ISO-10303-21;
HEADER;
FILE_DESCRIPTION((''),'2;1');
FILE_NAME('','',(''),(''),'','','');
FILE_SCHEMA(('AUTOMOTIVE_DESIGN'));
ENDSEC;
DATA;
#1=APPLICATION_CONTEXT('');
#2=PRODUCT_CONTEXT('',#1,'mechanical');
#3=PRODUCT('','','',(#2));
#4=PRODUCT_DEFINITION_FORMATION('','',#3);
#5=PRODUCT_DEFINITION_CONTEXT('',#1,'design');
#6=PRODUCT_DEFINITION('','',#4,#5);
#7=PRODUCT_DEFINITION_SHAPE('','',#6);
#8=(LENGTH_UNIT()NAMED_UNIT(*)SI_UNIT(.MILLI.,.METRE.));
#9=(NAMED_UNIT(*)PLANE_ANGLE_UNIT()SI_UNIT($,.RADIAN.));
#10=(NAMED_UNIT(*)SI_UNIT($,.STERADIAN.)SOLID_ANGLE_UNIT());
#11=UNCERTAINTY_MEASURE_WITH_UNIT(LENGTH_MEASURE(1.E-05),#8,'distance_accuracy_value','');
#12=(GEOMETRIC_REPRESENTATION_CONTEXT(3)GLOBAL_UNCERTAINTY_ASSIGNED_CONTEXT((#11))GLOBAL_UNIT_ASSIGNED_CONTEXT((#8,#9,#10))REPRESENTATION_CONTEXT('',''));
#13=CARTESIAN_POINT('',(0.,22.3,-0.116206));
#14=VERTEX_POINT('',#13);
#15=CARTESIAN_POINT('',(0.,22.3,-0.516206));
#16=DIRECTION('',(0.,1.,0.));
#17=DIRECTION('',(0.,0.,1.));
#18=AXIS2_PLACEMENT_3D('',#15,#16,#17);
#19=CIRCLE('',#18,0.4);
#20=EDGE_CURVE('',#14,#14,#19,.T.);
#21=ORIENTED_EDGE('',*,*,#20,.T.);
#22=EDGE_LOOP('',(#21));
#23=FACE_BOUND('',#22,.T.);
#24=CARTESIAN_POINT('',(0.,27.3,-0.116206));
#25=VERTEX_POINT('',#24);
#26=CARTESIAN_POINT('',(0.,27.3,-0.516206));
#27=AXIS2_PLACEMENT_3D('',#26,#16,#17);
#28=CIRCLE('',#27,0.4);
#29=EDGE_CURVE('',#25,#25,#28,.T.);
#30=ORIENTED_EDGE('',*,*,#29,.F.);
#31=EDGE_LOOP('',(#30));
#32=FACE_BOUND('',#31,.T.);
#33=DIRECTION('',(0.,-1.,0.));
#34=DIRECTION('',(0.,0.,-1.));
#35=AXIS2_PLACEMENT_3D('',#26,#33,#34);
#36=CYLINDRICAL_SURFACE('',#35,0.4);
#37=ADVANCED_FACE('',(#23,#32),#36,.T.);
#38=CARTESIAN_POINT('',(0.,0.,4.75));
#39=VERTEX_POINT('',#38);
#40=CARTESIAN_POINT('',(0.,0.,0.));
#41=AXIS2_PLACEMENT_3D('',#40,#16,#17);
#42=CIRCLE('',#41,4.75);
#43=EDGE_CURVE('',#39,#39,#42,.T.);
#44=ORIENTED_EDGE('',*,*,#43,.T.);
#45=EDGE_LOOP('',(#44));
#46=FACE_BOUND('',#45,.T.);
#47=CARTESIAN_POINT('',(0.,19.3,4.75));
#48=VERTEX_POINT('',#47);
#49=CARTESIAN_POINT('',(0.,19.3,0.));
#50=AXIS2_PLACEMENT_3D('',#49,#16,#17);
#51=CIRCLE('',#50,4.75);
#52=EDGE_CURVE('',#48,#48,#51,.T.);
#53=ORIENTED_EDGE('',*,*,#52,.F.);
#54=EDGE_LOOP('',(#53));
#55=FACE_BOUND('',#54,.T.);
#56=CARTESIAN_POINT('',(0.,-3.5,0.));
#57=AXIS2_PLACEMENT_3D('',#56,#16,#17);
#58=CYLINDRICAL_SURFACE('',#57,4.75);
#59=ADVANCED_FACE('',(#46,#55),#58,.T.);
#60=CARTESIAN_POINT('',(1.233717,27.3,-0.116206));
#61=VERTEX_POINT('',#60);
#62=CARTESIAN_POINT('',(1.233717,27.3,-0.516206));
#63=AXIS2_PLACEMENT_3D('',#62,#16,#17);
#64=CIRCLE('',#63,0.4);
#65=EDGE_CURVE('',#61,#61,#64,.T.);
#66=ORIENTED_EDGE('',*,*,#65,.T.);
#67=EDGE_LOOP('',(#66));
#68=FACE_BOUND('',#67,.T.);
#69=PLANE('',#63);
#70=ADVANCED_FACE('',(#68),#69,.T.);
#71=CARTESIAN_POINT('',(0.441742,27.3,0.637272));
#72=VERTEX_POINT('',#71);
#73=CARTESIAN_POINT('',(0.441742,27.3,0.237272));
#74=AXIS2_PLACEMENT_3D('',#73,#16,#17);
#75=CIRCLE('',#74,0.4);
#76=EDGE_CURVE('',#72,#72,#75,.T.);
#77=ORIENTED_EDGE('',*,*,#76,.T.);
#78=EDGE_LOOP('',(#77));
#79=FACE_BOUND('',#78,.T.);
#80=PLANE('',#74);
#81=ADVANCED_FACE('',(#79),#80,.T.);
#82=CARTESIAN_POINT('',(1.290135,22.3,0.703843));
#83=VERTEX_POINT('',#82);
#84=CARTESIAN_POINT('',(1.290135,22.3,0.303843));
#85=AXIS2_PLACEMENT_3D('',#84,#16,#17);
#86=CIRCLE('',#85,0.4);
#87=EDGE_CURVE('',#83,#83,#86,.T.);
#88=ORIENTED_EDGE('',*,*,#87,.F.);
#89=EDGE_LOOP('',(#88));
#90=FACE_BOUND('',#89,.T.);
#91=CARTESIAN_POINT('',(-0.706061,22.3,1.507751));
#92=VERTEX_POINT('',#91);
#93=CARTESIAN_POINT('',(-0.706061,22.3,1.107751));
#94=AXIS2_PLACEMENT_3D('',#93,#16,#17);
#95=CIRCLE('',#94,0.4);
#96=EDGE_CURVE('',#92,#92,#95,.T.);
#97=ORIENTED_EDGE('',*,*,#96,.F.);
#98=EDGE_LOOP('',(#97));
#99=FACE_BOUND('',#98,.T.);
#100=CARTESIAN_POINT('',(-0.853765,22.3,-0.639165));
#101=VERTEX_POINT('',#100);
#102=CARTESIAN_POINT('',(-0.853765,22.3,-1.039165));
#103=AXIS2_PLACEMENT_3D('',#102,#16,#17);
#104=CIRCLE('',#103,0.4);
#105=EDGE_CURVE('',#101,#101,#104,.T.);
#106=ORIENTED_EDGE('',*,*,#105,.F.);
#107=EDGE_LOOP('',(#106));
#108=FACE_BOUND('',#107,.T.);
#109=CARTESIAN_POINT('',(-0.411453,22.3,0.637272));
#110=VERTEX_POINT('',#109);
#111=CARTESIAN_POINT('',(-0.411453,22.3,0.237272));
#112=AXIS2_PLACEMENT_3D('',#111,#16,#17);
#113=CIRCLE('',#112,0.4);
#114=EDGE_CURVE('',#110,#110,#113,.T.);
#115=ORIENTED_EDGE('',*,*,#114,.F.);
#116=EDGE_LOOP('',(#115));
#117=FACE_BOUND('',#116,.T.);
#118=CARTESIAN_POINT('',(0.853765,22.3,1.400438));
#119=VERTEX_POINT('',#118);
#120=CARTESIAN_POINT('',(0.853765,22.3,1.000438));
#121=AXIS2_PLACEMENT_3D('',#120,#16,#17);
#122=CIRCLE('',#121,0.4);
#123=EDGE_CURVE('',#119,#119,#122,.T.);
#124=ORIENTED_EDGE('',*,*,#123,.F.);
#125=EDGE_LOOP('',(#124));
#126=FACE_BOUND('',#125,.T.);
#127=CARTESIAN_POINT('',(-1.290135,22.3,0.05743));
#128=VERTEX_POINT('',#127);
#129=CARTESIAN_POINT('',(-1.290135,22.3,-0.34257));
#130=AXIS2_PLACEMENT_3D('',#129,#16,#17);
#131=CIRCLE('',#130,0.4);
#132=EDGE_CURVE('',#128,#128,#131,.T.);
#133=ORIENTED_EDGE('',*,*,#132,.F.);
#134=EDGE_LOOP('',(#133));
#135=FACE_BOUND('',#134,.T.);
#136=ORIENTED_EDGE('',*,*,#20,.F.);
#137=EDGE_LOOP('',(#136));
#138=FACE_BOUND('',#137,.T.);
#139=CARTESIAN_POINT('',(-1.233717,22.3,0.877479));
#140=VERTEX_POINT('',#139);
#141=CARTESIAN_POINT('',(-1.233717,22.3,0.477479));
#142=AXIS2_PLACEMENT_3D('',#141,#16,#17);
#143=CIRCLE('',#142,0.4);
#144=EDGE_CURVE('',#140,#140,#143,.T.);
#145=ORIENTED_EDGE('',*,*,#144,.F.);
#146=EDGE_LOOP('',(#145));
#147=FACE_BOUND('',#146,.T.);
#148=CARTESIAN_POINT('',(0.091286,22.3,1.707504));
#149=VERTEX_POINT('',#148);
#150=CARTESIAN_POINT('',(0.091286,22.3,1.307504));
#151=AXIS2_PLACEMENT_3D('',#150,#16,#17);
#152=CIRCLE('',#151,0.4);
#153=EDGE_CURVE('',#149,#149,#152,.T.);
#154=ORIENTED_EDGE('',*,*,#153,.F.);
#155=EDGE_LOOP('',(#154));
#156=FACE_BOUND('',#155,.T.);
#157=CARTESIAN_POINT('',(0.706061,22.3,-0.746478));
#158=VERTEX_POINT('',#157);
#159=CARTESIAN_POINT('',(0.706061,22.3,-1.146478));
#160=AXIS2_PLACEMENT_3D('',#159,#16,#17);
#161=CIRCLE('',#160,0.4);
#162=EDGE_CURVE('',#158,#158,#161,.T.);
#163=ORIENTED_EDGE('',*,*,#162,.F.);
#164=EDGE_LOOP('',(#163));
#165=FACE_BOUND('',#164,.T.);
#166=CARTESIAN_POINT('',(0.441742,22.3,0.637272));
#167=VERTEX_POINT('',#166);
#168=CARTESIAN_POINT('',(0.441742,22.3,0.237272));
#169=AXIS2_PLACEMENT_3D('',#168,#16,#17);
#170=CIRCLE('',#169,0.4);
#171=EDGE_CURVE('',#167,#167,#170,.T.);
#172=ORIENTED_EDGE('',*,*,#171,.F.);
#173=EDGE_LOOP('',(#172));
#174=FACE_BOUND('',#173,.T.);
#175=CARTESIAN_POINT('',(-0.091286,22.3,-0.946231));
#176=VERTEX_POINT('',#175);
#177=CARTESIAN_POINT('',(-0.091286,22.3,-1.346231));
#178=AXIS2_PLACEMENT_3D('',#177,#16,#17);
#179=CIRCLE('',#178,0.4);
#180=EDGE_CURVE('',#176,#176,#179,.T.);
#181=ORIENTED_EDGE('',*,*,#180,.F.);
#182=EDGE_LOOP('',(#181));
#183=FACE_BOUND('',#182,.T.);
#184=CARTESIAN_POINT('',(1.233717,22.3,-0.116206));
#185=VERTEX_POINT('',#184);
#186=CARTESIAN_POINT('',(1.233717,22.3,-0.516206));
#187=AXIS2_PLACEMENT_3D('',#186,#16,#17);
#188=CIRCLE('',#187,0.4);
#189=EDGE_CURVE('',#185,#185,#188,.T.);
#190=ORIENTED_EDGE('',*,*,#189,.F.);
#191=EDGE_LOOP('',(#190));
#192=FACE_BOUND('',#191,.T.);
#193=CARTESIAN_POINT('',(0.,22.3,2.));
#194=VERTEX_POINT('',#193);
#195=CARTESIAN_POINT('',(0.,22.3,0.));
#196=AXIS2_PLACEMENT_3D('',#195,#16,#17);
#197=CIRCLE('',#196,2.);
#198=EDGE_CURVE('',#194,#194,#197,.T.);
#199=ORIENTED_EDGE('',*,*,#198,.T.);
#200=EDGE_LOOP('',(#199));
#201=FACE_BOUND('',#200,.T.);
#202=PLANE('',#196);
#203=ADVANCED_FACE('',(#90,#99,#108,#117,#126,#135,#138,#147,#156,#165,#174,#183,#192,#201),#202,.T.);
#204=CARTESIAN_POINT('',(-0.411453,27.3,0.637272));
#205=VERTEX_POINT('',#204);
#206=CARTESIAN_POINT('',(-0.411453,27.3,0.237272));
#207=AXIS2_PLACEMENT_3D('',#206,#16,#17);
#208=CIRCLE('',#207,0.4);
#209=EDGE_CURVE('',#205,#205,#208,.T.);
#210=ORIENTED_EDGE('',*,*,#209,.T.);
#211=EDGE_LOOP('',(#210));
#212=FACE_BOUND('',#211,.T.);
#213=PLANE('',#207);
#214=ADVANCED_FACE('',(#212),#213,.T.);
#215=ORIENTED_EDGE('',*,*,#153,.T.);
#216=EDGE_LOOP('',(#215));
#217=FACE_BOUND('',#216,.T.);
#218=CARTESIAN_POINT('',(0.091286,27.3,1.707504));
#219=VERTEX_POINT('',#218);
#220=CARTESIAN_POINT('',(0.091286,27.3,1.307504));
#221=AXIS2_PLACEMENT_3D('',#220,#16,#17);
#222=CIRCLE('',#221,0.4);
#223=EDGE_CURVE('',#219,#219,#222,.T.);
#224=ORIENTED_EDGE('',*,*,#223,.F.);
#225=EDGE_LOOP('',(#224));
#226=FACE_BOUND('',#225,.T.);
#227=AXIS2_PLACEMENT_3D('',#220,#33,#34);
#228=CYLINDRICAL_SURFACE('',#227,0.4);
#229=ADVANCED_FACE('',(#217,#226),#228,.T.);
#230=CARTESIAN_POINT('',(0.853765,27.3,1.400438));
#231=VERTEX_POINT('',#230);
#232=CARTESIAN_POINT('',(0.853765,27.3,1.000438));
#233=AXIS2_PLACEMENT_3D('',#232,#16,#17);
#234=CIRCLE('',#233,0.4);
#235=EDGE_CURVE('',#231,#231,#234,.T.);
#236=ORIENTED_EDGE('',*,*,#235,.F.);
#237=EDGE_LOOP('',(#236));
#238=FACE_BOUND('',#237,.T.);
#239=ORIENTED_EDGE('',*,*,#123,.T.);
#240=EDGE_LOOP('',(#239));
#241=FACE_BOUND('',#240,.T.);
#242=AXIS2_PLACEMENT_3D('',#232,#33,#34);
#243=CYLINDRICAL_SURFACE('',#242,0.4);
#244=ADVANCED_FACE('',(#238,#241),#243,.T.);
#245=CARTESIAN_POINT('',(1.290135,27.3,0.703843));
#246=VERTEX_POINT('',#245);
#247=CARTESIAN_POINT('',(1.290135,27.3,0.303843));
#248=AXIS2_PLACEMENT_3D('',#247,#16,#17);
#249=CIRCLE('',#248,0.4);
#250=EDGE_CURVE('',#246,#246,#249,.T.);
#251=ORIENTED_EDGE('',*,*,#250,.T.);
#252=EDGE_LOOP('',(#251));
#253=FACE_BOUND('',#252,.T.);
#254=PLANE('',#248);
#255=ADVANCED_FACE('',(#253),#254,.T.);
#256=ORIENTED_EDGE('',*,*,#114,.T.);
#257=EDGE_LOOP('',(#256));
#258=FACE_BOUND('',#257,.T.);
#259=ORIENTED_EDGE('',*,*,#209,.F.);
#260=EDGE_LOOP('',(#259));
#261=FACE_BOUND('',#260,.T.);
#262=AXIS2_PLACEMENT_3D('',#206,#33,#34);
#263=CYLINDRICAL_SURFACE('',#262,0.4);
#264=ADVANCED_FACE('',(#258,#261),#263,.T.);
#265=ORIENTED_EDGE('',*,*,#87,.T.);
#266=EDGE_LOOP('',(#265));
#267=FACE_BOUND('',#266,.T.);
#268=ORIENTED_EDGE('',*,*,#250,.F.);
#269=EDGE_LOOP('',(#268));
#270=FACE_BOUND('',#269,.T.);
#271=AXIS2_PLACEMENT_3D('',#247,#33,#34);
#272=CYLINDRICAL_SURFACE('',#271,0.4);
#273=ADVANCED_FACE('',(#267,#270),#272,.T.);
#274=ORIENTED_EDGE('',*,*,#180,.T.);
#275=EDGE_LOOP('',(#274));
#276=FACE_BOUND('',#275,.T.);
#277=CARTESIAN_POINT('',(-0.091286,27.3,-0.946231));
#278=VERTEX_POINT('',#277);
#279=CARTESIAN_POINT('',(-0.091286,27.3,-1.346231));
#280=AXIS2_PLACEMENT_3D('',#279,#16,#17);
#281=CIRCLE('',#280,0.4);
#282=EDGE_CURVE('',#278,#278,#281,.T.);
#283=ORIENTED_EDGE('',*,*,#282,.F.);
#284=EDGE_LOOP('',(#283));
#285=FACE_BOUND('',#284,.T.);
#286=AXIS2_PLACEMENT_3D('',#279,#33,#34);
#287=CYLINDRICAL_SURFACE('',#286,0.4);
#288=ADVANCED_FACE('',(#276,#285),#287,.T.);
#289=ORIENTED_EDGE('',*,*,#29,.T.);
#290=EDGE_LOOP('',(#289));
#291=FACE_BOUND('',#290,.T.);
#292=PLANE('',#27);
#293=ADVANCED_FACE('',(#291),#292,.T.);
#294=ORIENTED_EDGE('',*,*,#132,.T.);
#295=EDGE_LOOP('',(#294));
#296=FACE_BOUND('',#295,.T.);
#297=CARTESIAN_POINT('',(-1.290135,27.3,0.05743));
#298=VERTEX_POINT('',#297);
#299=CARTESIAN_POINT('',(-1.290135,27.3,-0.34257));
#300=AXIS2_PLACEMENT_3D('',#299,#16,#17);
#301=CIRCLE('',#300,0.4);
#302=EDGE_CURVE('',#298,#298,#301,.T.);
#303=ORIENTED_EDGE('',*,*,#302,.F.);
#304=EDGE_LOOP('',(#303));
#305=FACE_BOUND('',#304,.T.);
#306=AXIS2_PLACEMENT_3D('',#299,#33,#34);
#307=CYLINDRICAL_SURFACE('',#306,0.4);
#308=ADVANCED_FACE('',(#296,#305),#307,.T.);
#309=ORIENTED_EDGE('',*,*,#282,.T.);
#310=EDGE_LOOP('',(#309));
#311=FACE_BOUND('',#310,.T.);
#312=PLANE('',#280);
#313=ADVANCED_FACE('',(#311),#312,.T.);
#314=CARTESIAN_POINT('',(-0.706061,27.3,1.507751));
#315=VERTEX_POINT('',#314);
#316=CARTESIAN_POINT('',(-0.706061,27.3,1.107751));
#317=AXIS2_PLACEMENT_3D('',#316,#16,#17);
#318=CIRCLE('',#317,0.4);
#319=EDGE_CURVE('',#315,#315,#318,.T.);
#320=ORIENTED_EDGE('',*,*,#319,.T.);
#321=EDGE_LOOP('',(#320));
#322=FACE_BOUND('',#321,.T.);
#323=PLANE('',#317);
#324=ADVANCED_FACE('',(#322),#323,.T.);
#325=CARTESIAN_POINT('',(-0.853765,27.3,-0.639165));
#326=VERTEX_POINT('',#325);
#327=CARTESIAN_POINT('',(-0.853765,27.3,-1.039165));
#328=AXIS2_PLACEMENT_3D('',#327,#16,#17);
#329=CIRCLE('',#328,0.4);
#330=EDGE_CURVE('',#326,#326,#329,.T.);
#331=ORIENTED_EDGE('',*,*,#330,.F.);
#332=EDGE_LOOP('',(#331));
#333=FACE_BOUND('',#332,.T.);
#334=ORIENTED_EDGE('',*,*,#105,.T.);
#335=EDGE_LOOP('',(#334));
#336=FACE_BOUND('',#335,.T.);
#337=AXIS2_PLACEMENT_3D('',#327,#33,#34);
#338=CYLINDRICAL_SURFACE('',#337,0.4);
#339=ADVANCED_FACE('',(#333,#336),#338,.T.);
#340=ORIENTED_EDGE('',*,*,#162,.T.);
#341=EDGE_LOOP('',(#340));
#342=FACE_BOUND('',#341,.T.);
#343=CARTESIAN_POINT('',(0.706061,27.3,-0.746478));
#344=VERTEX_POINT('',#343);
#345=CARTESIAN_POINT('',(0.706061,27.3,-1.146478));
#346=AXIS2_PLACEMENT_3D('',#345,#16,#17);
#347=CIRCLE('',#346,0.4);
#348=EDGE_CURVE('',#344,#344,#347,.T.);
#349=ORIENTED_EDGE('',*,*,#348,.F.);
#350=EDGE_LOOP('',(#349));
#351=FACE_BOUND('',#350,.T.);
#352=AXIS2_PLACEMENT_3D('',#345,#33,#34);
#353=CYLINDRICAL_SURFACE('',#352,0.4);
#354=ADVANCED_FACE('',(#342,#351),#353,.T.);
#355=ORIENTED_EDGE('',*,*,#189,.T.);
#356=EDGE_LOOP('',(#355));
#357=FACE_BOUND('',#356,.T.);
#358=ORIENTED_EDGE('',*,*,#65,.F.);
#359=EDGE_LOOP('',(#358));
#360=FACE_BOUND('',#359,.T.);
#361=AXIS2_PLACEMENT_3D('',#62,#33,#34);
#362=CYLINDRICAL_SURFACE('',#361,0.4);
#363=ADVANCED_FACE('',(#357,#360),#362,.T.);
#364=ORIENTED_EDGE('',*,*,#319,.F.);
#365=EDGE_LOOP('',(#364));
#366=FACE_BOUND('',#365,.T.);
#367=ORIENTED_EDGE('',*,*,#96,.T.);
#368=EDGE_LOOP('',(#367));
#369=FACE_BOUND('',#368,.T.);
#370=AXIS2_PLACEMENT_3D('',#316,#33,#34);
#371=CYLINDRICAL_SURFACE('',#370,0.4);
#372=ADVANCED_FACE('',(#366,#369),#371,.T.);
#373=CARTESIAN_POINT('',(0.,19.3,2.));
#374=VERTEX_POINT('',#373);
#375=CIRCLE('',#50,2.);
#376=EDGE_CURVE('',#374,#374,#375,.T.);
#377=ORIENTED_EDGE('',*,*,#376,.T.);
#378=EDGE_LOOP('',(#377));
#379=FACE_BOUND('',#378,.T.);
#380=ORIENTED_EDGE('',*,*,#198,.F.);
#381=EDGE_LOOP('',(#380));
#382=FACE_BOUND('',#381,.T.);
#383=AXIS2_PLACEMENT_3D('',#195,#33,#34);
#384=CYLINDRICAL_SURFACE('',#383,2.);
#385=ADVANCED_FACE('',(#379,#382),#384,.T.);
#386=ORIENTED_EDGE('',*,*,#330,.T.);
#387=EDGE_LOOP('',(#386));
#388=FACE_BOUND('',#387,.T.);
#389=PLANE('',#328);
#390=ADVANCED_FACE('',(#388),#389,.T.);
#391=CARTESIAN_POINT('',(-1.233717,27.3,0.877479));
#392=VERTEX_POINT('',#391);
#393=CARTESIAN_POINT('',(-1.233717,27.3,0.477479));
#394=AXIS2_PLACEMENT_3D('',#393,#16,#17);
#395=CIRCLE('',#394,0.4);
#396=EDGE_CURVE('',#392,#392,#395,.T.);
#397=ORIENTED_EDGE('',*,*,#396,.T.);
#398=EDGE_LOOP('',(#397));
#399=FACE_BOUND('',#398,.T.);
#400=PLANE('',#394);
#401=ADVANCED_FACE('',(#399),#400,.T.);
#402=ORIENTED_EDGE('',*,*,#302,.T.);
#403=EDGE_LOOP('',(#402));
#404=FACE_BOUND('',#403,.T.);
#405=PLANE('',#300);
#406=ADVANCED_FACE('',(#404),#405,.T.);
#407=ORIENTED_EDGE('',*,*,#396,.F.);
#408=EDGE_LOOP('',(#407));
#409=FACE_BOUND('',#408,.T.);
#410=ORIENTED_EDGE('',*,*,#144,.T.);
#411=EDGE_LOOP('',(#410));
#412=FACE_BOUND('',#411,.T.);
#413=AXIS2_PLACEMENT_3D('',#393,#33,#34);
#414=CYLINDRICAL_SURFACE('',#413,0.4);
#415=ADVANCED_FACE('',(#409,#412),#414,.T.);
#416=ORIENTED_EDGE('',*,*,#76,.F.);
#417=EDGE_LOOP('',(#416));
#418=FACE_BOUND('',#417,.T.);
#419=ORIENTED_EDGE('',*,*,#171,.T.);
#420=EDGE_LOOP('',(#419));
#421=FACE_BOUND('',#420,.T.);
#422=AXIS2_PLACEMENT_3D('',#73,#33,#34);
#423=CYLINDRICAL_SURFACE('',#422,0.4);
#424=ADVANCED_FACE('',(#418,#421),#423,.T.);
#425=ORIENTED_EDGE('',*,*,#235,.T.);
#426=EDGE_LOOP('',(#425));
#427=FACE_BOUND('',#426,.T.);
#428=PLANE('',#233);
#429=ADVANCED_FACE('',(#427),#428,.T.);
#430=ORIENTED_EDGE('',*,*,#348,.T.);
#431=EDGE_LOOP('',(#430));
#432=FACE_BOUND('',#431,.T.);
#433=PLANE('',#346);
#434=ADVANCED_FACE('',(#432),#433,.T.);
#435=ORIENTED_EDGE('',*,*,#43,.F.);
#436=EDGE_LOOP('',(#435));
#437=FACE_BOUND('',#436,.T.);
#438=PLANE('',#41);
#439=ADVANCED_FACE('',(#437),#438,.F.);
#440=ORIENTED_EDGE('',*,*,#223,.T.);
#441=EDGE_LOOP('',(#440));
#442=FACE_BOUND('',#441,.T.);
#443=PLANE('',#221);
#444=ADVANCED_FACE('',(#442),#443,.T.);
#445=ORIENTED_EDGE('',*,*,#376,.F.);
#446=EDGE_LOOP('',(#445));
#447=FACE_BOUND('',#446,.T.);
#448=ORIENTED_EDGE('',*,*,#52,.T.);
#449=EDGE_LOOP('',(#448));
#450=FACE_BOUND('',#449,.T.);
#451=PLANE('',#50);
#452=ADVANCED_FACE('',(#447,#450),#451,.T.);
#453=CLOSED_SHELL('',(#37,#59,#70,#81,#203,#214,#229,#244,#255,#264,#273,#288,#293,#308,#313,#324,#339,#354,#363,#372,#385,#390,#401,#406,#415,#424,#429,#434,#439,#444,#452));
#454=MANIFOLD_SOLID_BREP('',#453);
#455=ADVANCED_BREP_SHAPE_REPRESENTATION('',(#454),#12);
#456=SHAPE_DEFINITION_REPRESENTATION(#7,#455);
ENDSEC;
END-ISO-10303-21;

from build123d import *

# Parameters (mm, degrees)
SKETCH1_R           = 6.2
BOSS_EXTRUDE1_DEPTH = 19.5
SKETCH2_R           = 2
BOSS_EXTRUDE2_DEPTH = 2.8
SKETCH3_R           = 0.4
BOSS_EXTRUDE4_DEPTH = 5
CUT_EXTRUDE1_START  = -0.2
SKETCH4_R           = 4.75
SKETCH4_R_2         = 2
CUT_EXTRUDE1_DEPTH  = 0.2
SKETCH5_R           = 0.4
BOSS_EXTRUDE5_DEPTH = 3.5
SKETCH6_R           = 6.2
SKETCH6_R_2         = 4.75
CUT_EXTRUDE2_DEPTH  = 25.614629796
SKETCH7_R           = 9.512731099
CUT_EXTRUDE3_DEPTH  = 29.114320195


with BuildPart() as part:
    # Sketch1 → Boss-Extrude1 (new body)
    with BuildSketch(Plane(origin=(0, 0, 0), x_dir=(1, 0, 0), z_dir=(0, 1, 0))):
        with Locations(Location((0, 0, 0), (0, 0, 270))):
            Circle(SKETCH1_R)
    extrude(amount=BOSS_EXTRUDE1_DEPTH)

    # Sketch2 → Boss-Extrude2 (add)
    with BuildSketch(Plane(origin=(0, 19.5, 0), x_dir=(1, 0, 0), z_dir=(0, 1, 0))):
        with Locations(Location((0, 0, 0), (0, 0, 270))):
            Circle(SKETCH2_R)
    extrude(amount=BOSS_EXTRUDE2_DEPTH)

    # Sketch3 → Boss-Extrude4 (add)
    with BuildSketch(Plane(origin=(0, 22.3, 0), x_dir=(1, 0, 0), z_dir=(0, 1, 0))):
        with Locations(Location((-0.41145274, -0.237271907, 0), (0, 0, 270))):
            Circle(SKETCH3_R)
        with Locations(Location((-0.09128588, 1.346231062, 0), (0, 0, 270))):
            Circle(SKETCH3_R)
        with Locations(Location((0.706061251, 1.146478436, 0), (0, 0, 270))):
            Circle(SKETCH3_R)
        with Locations(Location((1.233716983, 0.516206281, 0), (0, 0, 270))):
            Circle(SKETCH3_R)
        with Locations(Location((1.29013476, -0.30384286, 0), (0, 0, 270))):
            Circle(SKETCH3_R)
        with Locations(Location((0.853764908, -1.000438089, 0), (0, 0, 270))):
            Circle(SKETCH3_R)
        with Locations(Location((0.09128588, -1.307503705, 0), (0, 0, 270))):
            Circle(SKETCH3_R)
        with Locations(Location((-0.706061251, -1.107751078, 0), (0, 0, 270))):
            Circle(SKETCH3_R)
        with Locations(Location((-1.233716983, -0.477478923, 0), (0, 0, 270))):
            Circle(SKETCH3_R)
        with Locations(Location((-1.29013476, 0.342570218, 0), (0, 0, 270))):
            Circle(SKETCH3_R)
        with Locations(Location((-0.853764908, 1.039165447, 0), (0, 0, 270))):
            Circle(SKETCH3_R)
        with Locations(Location((0, 0.516206281, 0), (0, 0, 270))):
            Circle(SKETCH3_R)
        with Locations(Location((0.441742202, -0.237271907, 0), (0, 0, 270))):
            Circle(SKETCH3_R)
    extrude(amount=BOSS_EXTRUDE4_DEPTH)

    # Sketch4 → Cut-Extrude1 (cut)
    with BuildSketch(Plane(origin=(0, 19.5, 0), x_dir=(1, 0, 0), z_dir=(0, 1, 0)).offset(CUT_EXTRUDE1_START)):
        with Locations(Location((0, 0, 0), (0, 0, 270))):
            Circle(SKETCH4_R)
        with Locations(Location((0, 0, 0), (0, 0, 270))):
            Circle(SKETCH4_R_2, mode=Mode.SUBTRACT)
    extrude(amount=CUT_EXTRUDE1_DEPTH, mode=Mode.SUBTRACT)

    # Sketch5 → Boss-Extrude5 (add)
    with BuildSketch(Plane.XZ):
        with Locations(Location((-5.700120356, 0, 0), (0, 0, 90))):
            Circle(SKETCH5_R)
        with Locations(Location((-5.629942415, 0.891695278, 0), (0, 0, 90))):
            Circle(SKETCH5_R)
        with Locations(Location((-4.791405516, 0, 0), (0, 0, 90))):
            Circle(SKETCH5_R)
        with Locations(Location((-4.703373902, 0.914243273, 0), (0, 0, 90))):
            Circle(SKETCH5_R)
        with Locations(Location((-4.703373902, -0.914243273, 0), (0, 0, 90))):
            Circle(SKETCH5_R)
        with Locations(Location((-5.629942415, -0.891695278, 0), (0, 0, 90))):
            Circle(SKETCH5_R)
        with Locations(Location((5.629942415, -0.891695278, 0), (0, 0, 90))):
            Circle(SKETCH5_R)
        with Locations(Location((4.703373902, -0.914243273, 0), (0, 0, 90))):
            Circle(SKETCH5_R)
        with Locations(Location((4.703373902, 0.914243273, 0), (0, 0, 90))):
            Circle(SKETCH5_R)
        with Locations(Location((4.791405516, 0, 0), (0, 0, 90))):
            Circle(SKETCH5_R)
        with Locations(Location((5.629942415, 0.891695278, 0), (0, 0, 90))):
            Circle(SKETCH5_R)
        with Locations(Location((5.700120356, 0, 0), (0, 0, 90))):
            Circle(SKETCH5_R)
    extrude(amount=BOSS_EXTRUDE5_DEPTH)

    # Sketch6 → Cut-Extrude2 (cut, through all)
    with BuildSketch(Plane(origin=(0, 19.5, 0), x_dir=(1, 0, 0), z_dir=(0, 1, 0))):
        Circle(SKETCH6_R)
        with Locations(Location((0, 0, 0), (0, 0, 270))):
            Circle(SKETCH6_R_2, mode=Mode.SUBTRACT)
    extrude(amount=-CUT_EXTRUDE2_DEPTH, mode=Mode.SUBTRACT)

    # Sketch7 → Cut-Extrude3 (cut, through all)
    with BuildSketch(Plane.XZ):
        Circle(SKETCH7_R)
    extrude(amount=CUT_EXTRUDE3_DEPTH, mode=Mode.SUBTRACT)


solid = part.part
